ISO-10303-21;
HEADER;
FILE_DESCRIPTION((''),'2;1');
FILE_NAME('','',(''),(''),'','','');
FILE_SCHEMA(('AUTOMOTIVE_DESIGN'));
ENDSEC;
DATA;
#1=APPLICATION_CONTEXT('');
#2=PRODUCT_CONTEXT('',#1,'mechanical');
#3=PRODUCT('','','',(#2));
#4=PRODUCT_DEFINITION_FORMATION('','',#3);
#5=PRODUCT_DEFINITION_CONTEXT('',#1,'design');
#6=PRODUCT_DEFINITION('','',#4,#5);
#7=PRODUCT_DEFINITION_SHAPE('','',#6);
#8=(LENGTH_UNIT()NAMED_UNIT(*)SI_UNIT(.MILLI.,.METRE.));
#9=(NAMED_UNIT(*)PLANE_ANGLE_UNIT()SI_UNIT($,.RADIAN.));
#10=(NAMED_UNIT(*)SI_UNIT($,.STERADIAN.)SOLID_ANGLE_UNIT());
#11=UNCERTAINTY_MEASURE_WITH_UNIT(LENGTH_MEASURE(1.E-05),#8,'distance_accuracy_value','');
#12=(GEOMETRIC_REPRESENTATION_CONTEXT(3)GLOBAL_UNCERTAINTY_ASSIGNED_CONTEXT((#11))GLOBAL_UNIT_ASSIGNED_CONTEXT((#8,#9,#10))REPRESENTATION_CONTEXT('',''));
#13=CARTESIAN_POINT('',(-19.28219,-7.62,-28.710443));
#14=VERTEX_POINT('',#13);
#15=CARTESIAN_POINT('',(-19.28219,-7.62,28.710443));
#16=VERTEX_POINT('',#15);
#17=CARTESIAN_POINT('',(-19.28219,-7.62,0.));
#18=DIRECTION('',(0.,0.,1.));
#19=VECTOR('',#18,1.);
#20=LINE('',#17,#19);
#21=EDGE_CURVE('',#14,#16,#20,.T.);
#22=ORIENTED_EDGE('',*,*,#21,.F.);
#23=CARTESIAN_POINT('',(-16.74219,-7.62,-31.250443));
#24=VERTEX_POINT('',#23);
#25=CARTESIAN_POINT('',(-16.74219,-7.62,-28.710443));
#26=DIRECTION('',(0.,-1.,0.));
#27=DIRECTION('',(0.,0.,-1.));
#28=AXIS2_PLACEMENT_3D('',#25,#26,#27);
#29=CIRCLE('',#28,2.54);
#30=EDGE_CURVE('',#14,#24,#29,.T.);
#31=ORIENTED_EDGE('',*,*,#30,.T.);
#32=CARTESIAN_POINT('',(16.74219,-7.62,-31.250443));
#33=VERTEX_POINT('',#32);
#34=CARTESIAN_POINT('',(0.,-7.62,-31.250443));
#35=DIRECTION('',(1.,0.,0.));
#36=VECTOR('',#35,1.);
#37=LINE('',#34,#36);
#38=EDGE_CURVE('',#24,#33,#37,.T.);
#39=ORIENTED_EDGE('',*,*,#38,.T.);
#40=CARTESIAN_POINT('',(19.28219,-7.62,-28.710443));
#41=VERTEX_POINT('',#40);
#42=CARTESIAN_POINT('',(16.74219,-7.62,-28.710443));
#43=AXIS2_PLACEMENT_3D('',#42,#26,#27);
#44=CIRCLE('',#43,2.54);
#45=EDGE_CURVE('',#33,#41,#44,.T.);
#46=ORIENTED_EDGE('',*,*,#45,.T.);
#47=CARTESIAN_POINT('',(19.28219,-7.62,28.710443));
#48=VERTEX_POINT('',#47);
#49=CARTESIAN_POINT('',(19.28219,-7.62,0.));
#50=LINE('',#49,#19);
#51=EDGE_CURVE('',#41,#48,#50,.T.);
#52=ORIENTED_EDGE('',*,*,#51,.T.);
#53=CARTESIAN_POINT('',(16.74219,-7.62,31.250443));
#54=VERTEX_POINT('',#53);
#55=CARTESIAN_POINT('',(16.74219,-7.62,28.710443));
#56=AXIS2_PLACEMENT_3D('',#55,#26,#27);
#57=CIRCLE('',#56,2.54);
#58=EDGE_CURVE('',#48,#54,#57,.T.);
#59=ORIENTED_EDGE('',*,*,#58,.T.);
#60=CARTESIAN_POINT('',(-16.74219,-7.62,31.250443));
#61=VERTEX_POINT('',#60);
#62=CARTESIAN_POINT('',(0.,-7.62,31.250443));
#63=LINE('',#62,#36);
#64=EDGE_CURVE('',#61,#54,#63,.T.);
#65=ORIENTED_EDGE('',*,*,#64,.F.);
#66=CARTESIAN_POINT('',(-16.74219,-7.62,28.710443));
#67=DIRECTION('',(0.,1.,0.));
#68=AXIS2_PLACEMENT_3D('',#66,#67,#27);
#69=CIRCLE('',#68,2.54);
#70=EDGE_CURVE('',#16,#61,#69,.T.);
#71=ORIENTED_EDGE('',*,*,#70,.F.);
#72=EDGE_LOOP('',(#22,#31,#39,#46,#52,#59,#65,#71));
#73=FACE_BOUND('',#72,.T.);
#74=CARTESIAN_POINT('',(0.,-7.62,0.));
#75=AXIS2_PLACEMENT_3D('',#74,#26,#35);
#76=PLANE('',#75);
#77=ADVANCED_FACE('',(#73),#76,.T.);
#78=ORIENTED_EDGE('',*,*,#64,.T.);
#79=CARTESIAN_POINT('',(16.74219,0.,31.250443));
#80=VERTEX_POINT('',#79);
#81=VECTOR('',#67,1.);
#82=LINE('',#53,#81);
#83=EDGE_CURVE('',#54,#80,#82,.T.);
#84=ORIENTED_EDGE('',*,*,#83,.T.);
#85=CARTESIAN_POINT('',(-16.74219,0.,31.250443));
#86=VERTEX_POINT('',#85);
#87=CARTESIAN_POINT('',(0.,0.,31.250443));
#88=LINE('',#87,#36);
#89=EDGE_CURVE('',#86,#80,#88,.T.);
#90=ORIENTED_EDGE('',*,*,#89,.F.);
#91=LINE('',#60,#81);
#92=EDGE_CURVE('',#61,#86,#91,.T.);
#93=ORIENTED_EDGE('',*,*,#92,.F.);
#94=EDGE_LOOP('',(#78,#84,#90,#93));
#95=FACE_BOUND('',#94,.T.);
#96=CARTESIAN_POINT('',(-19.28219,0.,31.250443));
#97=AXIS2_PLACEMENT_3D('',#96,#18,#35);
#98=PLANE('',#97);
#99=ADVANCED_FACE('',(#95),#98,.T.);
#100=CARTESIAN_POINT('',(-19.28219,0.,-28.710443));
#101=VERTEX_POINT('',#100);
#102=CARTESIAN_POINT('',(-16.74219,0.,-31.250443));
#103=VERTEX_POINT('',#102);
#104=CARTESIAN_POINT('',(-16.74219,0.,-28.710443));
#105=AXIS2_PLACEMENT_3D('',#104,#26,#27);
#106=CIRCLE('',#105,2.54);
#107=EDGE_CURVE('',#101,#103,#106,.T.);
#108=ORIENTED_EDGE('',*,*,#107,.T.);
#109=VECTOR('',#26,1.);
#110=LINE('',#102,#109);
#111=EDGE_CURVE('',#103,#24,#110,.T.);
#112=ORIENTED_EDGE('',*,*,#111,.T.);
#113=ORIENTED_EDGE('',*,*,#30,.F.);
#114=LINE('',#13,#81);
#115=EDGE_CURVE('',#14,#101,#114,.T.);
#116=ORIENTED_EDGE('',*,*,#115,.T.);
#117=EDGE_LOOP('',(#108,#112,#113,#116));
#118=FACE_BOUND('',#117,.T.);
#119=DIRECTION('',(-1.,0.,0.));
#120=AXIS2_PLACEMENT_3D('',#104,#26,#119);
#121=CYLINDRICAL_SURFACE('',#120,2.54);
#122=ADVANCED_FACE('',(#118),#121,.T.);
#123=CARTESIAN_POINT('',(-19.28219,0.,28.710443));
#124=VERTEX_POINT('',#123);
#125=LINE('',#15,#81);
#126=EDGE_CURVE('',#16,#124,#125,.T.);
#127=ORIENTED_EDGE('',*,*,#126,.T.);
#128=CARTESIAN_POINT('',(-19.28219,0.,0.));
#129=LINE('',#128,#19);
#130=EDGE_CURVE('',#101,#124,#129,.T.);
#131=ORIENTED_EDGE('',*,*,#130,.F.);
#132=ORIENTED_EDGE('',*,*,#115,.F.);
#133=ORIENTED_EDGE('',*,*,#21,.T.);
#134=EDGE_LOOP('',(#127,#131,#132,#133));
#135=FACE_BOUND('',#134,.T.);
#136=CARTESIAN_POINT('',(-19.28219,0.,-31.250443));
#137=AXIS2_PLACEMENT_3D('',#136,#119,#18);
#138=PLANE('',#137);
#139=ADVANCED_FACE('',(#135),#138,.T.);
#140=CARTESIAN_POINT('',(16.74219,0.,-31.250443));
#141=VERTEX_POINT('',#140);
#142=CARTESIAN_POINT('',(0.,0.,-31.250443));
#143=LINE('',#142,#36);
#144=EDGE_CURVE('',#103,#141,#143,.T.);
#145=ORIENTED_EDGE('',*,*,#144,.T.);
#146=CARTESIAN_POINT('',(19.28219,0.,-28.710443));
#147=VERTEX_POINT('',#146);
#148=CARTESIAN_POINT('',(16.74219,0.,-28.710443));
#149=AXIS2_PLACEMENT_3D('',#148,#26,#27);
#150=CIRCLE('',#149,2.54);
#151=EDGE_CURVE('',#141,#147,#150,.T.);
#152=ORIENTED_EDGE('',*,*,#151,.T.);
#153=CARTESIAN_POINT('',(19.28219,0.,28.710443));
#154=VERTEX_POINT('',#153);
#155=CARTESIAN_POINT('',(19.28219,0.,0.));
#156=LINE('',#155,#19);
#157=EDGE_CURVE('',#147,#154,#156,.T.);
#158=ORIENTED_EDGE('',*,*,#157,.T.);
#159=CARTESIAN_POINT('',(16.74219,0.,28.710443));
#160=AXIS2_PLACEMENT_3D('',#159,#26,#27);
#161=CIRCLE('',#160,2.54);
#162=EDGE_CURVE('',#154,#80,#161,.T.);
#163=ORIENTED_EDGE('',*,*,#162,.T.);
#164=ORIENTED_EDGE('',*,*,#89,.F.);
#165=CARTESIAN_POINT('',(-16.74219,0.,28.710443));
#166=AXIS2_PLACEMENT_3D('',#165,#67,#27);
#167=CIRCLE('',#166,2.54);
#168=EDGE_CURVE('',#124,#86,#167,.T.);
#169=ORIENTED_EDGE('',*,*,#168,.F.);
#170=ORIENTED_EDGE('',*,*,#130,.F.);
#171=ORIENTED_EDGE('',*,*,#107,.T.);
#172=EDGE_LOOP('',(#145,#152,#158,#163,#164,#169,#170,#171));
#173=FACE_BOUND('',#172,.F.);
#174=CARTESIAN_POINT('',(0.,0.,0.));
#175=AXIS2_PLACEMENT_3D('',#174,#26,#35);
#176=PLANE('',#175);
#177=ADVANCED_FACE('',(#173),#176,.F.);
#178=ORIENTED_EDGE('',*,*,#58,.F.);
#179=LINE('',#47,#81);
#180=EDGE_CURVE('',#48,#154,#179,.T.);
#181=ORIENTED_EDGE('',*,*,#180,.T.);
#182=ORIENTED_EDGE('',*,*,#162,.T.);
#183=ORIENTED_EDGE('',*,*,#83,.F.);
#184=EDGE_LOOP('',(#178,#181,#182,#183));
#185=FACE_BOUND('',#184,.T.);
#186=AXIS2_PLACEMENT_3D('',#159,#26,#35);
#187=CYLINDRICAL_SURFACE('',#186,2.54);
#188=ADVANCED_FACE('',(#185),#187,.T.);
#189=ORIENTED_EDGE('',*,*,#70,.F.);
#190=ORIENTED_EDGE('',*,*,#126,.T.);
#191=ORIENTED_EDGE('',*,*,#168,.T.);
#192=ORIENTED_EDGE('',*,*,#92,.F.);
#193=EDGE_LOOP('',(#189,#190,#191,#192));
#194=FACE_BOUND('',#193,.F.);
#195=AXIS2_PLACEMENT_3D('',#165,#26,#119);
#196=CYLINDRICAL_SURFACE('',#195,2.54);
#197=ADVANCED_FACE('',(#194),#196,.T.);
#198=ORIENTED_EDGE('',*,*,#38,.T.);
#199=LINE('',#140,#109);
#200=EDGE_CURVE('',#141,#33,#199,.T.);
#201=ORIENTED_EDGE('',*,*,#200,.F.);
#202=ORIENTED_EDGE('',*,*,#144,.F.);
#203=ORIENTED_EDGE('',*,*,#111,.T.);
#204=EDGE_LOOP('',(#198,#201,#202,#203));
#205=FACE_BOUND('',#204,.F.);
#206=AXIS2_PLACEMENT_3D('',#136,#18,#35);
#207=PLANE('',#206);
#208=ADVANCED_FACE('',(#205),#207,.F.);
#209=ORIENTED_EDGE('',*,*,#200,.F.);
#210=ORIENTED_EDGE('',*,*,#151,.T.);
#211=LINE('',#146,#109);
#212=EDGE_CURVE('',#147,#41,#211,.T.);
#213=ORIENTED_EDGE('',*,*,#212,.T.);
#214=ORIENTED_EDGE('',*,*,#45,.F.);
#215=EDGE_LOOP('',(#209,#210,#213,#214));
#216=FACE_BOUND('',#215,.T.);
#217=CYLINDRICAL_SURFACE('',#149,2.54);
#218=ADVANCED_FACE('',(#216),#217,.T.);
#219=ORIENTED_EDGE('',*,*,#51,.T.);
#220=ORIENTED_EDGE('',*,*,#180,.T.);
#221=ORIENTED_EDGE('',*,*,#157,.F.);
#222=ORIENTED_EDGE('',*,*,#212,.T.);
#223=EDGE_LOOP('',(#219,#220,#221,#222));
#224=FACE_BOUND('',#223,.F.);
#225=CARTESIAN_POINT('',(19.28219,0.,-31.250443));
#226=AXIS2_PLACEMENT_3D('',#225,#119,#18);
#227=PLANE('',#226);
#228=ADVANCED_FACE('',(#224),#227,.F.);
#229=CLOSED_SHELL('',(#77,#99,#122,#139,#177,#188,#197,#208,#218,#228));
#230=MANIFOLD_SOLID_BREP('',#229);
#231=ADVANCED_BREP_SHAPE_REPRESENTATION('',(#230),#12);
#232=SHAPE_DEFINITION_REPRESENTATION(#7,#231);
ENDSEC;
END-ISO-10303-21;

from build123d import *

# Parameters (mm, degrees)
F0_W     = 38.56438
F0_H     = 62.500886
F1_DEPTH = 7.62
F2_R     = 2.54
F3_W     = 33.48438
F3_H     = 20.629584
F4_DEPTH = 1.27


with BuildPart() as f1:
    # F0 (on Front) → F1 (new body)
    with BuildSketch(Plane.XZ):
        Rectangle(F0_W, F0_H)
    extrude(amount=F1_DEPTH)

    # F2
    f2_edges = [f1.edges().sort_by_distance(p)[0] for p in [
        (19.28219, -3.81, 31.250443),
        (-19.28219, -3.81, 31.250443),
        (19.28219, -3.81, -31.250443),
        (-19.28219, -3.81, -31.250443),
    ]]
    fillet(f2_edges, radius=F2_R)

    # F3 (on face) → F4 (join)
    with BuildSketch(Plane.XZ.offset(7.62)):
        with Locations((0, 18.395651)):
            Rectangle(F3_W, F3_H)
        with BuildLine():
            ThreePointArc((-19.28219, -28.710443), (-18.538241, -30.506495), (-16.74219, -31.250443))
            Line((-16.74219, -31.250443), (16.74219, -31.250443))
            ThreePointArc((16.74219, -31.250443), (18.538241, -30.506495), (19.28219, -28.710443))
            Line((19.28219, -28.710443), (19.28219, 28.710443))
            ThreePointArc((19.28219, 28.710443), (18.538241, 30.506495), (16.74219, 31.250443))
            Line((16.74219, 31.250443), (-16.74219, 31.250443))
            ThreePointArc((-16.74219, 31.250443), (-18.538241, 30.506495), (-19.28219, 28.710443))
            Line((-19.28219, 28.710443), (-19.28219, -28.710443))
        make_face()
        with Locations((0, 18.395651)):
            Rectangle(F3_W, F3_H, mode=Mode.SUBTRACT)
    extrude(amount=-F4_DEPTH)


solid = f1.part
